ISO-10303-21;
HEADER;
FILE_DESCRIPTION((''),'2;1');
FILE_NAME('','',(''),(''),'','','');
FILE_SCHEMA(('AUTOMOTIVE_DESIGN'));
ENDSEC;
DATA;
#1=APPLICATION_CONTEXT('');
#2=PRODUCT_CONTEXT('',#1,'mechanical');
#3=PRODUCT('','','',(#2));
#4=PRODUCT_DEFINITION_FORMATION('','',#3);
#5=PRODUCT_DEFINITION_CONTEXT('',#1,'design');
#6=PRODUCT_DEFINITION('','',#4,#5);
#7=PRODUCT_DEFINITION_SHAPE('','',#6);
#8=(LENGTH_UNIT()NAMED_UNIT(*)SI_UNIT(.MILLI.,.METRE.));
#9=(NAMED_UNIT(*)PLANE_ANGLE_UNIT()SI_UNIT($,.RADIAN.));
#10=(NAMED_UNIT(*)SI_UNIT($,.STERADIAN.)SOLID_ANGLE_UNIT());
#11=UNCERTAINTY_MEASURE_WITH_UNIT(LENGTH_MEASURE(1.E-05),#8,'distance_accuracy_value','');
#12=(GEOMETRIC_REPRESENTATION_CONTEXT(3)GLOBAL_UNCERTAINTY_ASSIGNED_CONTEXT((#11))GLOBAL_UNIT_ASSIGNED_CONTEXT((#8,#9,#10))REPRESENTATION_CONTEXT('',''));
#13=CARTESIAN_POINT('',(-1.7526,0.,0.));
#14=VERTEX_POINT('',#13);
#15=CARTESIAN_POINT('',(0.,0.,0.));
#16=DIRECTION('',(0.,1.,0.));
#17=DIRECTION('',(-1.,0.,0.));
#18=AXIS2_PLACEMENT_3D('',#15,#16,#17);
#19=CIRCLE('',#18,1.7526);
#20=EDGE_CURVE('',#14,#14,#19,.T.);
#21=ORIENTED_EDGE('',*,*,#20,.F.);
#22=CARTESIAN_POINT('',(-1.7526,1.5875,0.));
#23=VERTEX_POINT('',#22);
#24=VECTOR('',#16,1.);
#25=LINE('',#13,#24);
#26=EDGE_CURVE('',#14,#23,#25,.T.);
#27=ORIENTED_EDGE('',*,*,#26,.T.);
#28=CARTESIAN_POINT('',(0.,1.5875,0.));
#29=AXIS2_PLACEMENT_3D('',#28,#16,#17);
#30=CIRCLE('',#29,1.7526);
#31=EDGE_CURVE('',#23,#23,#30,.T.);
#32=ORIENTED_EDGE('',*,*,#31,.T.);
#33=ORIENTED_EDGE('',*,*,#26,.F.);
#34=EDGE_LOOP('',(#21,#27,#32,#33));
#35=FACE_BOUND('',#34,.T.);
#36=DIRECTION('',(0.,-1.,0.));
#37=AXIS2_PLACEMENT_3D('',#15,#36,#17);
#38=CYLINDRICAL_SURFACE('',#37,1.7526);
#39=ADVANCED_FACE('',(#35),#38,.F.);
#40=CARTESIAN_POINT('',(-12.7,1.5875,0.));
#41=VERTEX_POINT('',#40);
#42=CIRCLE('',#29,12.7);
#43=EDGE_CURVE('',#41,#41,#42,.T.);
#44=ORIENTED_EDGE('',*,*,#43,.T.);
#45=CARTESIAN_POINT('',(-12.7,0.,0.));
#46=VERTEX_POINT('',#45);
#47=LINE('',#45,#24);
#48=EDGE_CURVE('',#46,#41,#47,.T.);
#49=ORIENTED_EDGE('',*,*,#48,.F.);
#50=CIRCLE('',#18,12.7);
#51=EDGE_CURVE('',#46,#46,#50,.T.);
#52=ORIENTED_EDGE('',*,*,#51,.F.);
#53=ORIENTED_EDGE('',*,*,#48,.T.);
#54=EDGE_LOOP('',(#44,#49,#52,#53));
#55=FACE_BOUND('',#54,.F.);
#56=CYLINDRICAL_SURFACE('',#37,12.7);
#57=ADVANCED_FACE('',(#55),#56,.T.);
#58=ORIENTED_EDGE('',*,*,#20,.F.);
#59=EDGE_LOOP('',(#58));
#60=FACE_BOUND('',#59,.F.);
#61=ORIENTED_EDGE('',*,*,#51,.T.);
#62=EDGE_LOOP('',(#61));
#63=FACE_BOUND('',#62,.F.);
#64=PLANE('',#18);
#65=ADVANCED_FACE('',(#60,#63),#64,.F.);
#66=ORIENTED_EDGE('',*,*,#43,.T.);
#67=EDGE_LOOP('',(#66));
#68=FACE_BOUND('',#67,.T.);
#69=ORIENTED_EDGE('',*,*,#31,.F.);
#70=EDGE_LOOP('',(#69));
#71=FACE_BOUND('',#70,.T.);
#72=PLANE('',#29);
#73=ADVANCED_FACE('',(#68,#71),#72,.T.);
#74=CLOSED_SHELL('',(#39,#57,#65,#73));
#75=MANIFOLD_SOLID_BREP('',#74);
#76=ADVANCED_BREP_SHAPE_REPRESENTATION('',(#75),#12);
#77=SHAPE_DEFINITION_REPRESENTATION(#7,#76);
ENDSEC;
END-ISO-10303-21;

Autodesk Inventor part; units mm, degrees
ref_plane "YZ Plane" through (0, 0, 0) normal (1, 0, 0) x (0, 1, 0)
ref_plane "XZ Plane" through (0, 0, 0) normal (0, 1, 0) x (-1, 0, 0)
ref_plane "XY Plane" through (0, 0, 0) normal (0, 0, 1) x (1, 0, 0)
sketch "Sketch1" plane through (0, 0, 0) normal (0, 1, 0) x (-1, 0, 0)
  circle A0 centre (0, 0) radius 1.7526
  circle A1 centre (0, 0) radius 12.7
  dimension "d0" = 3.5052
  dimension "d1" = 25.4
extrude "Extrusion1" add sketch "Sketch1" along normal blind 1.5875
properties part number "Mold Cap"
